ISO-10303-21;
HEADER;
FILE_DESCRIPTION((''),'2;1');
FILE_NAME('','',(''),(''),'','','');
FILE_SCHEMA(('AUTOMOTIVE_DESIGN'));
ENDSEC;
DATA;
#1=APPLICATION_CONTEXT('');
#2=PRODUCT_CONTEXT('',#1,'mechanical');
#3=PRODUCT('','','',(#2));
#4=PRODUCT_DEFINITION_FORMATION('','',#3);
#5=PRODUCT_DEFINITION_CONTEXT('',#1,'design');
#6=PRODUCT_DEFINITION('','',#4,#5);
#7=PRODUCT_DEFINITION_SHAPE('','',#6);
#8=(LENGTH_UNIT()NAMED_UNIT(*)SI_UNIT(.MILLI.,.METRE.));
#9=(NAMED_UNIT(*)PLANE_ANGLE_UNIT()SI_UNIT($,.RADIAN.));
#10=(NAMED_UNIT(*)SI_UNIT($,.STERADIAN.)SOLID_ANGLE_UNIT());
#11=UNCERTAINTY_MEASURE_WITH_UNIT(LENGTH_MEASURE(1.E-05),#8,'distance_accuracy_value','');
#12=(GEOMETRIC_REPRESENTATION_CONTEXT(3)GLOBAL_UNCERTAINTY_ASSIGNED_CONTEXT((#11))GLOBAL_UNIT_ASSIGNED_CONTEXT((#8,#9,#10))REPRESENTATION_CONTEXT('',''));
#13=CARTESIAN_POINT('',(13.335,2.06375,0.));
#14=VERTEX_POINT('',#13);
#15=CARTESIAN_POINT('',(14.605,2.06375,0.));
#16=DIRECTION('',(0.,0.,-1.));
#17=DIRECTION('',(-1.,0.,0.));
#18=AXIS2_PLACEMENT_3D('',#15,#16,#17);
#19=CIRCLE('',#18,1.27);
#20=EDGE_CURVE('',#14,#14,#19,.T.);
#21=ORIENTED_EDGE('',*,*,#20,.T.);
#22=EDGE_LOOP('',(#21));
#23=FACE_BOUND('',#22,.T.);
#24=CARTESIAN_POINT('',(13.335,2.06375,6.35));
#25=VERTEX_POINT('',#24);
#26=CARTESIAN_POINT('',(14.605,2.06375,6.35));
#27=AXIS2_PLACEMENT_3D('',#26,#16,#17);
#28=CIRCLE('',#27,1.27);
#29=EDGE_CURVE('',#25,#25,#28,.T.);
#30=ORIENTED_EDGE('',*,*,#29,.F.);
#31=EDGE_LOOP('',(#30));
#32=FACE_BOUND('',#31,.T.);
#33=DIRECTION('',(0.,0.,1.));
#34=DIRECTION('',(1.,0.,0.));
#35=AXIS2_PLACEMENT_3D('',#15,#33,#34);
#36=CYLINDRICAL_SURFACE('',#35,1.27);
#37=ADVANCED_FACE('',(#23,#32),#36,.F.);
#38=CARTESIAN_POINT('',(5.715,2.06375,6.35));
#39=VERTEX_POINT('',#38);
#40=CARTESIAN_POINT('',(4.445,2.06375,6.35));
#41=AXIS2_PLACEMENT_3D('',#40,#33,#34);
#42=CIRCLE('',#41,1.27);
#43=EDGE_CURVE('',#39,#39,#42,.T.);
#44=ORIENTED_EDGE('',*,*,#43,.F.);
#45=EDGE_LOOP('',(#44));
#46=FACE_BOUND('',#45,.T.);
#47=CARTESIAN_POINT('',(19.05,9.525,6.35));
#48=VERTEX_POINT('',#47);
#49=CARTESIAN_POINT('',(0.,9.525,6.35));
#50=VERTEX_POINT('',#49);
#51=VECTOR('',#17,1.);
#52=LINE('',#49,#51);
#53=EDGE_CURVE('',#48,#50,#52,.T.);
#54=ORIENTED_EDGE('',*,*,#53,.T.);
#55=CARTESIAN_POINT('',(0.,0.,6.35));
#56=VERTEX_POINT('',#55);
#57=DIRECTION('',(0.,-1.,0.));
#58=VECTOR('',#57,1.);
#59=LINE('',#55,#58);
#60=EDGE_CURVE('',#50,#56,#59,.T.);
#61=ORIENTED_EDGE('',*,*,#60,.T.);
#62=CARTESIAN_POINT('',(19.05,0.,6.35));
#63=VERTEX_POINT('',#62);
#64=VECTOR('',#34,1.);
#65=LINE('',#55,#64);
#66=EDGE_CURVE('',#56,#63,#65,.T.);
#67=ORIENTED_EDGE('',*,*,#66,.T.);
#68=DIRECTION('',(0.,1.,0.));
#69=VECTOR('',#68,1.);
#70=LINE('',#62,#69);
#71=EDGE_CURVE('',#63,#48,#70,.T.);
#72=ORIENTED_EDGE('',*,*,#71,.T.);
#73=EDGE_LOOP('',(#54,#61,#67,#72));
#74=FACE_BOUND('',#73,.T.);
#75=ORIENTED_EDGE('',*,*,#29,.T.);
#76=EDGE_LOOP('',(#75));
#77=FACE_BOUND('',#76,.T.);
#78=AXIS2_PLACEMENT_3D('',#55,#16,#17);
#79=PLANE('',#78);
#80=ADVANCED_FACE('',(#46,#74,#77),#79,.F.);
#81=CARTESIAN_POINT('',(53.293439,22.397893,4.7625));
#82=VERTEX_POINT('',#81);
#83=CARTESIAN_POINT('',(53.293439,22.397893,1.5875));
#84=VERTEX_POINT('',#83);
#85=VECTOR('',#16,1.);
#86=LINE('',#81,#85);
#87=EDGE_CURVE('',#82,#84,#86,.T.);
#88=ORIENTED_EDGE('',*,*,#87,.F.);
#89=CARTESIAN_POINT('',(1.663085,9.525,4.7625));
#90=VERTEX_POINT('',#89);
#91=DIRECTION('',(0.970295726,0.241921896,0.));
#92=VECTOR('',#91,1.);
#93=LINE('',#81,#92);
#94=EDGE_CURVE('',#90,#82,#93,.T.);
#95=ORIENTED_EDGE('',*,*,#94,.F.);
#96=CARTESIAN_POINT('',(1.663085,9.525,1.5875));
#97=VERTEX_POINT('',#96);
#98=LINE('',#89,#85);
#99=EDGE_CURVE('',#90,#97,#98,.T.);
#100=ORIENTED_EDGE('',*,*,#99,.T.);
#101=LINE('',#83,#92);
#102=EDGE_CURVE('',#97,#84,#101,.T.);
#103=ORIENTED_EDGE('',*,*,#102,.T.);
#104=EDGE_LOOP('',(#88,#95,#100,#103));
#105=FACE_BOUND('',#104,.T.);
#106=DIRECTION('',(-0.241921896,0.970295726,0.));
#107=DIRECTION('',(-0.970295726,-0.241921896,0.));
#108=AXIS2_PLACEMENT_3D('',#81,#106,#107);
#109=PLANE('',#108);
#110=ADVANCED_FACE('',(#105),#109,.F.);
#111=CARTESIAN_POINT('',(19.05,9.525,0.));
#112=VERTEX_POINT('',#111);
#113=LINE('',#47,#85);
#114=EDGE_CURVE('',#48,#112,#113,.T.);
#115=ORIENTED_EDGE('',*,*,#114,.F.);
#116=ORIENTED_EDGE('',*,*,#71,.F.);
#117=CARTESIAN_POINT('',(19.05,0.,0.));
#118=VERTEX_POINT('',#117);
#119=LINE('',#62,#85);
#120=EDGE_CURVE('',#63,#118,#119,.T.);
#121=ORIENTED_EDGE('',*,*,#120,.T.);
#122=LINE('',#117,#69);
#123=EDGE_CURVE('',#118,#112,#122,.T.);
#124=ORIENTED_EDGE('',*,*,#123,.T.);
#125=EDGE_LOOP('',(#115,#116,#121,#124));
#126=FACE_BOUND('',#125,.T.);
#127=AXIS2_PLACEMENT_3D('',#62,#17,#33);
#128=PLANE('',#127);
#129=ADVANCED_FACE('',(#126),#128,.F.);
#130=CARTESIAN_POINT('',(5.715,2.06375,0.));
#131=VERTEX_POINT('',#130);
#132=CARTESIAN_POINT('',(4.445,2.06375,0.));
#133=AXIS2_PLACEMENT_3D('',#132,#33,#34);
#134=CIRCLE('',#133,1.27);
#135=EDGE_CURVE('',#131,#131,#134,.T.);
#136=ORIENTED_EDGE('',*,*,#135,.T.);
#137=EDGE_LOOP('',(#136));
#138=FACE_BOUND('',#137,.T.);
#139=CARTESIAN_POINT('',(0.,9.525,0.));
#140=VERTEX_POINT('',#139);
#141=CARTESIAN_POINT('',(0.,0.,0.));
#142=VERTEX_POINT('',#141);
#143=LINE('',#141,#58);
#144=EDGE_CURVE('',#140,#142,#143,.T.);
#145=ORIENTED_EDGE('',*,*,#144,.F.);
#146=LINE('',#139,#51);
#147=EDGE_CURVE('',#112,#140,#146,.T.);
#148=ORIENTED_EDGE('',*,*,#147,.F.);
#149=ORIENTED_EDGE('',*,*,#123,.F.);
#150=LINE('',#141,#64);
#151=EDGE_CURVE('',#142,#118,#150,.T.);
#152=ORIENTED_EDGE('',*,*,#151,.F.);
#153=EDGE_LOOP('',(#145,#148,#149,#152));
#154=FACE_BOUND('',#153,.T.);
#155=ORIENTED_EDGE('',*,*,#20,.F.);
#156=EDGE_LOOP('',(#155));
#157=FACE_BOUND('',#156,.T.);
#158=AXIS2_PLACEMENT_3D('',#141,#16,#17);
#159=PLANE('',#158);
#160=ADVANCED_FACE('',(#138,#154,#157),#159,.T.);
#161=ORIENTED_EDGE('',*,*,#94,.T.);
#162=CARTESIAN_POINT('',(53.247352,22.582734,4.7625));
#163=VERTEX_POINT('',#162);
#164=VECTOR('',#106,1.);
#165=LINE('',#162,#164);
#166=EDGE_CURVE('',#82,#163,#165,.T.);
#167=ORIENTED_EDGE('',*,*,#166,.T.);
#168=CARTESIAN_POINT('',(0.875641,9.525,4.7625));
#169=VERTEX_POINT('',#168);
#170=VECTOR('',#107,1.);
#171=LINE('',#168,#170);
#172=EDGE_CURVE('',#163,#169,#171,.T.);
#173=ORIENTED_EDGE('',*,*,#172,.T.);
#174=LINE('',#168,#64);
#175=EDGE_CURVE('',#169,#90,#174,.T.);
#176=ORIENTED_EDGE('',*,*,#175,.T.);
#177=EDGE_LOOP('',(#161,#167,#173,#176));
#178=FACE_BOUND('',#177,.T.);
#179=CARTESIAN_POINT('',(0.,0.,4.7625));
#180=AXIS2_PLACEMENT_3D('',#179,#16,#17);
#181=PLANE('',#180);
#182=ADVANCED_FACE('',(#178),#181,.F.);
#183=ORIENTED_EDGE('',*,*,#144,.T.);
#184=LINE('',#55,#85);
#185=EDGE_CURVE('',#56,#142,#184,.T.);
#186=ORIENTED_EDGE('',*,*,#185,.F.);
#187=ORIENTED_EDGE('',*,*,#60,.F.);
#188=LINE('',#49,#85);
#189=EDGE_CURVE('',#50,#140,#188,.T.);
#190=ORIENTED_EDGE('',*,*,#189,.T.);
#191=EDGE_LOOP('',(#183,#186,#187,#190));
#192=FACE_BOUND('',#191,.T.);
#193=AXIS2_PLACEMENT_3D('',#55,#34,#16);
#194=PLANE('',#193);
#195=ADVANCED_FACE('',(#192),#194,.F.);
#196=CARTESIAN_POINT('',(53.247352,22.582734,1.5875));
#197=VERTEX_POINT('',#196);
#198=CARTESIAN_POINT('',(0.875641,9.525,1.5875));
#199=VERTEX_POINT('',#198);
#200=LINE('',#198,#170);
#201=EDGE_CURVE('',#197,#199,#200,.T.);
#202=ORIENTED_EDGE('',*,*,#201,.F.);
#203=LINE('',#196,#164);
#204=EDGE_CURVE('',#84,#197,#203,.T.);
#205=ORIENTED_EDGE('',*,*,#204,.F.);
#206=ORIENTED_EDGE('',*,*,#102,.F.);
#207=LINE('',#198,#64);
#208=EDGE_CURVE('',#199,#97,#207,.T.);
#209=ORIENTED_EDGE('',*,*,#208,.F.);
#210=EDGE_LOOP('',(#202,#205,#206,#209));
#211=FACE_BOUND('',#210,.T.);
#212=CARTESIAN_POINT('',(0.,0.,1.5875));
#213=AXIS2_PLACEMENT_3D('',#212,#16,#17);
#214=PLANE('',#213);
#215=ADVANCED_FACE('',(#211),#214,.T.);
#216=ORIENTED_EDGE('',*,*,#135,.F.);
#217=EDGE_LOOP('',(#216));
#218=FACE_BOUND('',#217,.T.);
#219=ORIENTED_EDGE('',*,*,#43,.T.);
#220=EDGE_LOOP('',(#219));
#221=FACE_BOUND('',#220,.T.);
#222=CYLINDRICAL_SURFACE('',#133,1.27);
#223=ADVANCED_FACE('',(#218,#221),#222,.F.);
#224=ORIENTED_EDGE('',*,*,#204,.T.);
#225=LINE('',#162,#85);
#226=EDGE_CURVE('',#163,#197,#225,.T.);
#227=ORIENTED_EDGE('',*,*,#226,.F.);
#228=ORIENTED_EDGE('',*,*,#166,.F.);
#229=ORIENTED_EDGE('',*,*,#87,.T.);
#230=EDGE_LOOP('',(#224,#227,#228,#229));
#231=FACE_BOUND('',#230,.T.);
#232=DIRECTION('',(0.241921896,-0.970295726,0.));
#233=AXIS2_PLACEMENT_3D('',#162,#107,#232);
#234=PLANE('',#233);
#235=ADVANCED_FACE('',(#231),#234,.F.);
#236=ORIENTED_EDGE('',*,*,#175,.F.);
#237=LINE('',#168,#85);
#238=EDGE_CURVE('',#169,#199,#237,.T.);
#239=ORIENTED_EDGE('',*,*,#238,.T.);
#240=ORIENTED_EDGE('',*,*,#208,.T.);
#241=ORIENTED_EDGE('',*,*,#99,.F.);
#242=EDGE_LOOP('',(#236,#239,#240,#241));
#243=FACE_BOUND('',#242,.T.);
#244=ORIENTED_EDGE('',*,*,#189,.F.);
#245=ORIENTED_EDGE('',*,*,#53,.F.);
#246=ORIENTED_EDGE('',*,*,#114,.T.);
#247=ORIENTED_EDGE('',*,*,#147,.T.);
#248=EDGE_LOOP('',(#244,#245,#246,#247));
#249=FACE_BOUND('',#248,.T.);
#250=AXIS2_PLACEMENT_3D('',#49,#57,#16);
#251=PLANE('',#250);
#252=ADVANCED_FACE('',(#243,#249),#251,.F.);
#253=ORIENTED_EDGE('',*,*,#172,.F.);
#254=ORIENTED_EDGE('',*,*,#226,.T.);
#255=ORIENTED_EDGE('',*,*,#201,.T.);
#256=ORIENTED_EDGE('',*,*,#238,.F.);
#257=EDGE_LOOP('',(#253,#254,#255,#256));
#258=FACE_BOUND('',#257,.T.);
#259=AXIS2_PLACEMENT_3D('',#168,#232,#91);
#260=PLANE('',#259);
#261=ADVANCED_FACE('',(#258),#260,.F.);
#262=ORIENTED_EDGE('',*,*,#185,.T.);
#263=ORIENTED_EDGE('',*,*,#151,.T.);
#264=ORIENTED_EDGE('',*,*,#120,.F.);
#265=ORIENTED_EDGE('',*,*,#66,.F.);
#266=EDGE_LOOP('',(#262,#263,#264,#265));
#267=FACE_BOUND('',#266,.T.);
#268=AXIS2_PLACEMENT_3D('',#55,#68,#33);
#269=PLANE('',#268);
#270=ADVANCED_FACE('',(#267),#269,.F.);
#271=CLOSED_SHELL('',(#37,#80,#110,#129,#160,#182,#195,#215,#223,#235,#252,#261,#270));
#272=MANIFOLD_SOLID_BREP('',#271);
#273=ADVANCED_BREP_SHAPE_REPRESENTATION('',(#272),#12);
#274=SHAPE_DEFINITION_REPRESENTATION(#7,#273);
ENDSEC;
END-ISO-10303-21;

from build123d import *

# Parameters (mm, degrees)
SKETCH1_W           = 19.05
SKETCH1_H           = 9.525
BOSS_EXTRUDE1_DEPTH = 6.35
BOSS_EXTRUDE2_START = 1.5875
BOSS_EXTRUDE2_DEPTH = 3.175
SKETCH3_R           = 1.27
CUT_EXTRUDE1_DEPTH  = 59.227939899


with BuildPart() as part:
    # Sketch1 → Boss-Extrude1 (new body)
    with BuildSketch(Plane.XY):
        with Locations((9.525, 4.7625)):
            Rectangle(SKETCH1_W, SKETCH1_H)
    extrude(amount=BOSS_EXTRUDE1_DEPTH)

    # Sketch2 → Boss-Extrude2 (add)
    with BuildSketch(Plane.XY.offset(BOSS_EXTRUDE2_START)):
        Polygon((0.875640633, 9.525), (53.247352459, 22.582734315), (53.29343858, 22.397892979), (1.66308486, 9.525), align=None)
    extrude(amount=BOSS_EXTRUDE2_DEPTH)

    # Sketch3 → Cut-Extrude1 (cut, through all)
    with BuildSketch(Plane.XY.offset(6.35)):
        with Locations((4.445, 2.06375)):
            Circle(SKETCH3_R)
        with Locations(Location((14.605, 2.06375, 0), (0, 0, 180))):
            Circle(SKETCH3_R)
    extrude(amount=-CUT_EXTRUDE1_DEPTH, mode=Mode.SUBTRACT)


solid = part.part
